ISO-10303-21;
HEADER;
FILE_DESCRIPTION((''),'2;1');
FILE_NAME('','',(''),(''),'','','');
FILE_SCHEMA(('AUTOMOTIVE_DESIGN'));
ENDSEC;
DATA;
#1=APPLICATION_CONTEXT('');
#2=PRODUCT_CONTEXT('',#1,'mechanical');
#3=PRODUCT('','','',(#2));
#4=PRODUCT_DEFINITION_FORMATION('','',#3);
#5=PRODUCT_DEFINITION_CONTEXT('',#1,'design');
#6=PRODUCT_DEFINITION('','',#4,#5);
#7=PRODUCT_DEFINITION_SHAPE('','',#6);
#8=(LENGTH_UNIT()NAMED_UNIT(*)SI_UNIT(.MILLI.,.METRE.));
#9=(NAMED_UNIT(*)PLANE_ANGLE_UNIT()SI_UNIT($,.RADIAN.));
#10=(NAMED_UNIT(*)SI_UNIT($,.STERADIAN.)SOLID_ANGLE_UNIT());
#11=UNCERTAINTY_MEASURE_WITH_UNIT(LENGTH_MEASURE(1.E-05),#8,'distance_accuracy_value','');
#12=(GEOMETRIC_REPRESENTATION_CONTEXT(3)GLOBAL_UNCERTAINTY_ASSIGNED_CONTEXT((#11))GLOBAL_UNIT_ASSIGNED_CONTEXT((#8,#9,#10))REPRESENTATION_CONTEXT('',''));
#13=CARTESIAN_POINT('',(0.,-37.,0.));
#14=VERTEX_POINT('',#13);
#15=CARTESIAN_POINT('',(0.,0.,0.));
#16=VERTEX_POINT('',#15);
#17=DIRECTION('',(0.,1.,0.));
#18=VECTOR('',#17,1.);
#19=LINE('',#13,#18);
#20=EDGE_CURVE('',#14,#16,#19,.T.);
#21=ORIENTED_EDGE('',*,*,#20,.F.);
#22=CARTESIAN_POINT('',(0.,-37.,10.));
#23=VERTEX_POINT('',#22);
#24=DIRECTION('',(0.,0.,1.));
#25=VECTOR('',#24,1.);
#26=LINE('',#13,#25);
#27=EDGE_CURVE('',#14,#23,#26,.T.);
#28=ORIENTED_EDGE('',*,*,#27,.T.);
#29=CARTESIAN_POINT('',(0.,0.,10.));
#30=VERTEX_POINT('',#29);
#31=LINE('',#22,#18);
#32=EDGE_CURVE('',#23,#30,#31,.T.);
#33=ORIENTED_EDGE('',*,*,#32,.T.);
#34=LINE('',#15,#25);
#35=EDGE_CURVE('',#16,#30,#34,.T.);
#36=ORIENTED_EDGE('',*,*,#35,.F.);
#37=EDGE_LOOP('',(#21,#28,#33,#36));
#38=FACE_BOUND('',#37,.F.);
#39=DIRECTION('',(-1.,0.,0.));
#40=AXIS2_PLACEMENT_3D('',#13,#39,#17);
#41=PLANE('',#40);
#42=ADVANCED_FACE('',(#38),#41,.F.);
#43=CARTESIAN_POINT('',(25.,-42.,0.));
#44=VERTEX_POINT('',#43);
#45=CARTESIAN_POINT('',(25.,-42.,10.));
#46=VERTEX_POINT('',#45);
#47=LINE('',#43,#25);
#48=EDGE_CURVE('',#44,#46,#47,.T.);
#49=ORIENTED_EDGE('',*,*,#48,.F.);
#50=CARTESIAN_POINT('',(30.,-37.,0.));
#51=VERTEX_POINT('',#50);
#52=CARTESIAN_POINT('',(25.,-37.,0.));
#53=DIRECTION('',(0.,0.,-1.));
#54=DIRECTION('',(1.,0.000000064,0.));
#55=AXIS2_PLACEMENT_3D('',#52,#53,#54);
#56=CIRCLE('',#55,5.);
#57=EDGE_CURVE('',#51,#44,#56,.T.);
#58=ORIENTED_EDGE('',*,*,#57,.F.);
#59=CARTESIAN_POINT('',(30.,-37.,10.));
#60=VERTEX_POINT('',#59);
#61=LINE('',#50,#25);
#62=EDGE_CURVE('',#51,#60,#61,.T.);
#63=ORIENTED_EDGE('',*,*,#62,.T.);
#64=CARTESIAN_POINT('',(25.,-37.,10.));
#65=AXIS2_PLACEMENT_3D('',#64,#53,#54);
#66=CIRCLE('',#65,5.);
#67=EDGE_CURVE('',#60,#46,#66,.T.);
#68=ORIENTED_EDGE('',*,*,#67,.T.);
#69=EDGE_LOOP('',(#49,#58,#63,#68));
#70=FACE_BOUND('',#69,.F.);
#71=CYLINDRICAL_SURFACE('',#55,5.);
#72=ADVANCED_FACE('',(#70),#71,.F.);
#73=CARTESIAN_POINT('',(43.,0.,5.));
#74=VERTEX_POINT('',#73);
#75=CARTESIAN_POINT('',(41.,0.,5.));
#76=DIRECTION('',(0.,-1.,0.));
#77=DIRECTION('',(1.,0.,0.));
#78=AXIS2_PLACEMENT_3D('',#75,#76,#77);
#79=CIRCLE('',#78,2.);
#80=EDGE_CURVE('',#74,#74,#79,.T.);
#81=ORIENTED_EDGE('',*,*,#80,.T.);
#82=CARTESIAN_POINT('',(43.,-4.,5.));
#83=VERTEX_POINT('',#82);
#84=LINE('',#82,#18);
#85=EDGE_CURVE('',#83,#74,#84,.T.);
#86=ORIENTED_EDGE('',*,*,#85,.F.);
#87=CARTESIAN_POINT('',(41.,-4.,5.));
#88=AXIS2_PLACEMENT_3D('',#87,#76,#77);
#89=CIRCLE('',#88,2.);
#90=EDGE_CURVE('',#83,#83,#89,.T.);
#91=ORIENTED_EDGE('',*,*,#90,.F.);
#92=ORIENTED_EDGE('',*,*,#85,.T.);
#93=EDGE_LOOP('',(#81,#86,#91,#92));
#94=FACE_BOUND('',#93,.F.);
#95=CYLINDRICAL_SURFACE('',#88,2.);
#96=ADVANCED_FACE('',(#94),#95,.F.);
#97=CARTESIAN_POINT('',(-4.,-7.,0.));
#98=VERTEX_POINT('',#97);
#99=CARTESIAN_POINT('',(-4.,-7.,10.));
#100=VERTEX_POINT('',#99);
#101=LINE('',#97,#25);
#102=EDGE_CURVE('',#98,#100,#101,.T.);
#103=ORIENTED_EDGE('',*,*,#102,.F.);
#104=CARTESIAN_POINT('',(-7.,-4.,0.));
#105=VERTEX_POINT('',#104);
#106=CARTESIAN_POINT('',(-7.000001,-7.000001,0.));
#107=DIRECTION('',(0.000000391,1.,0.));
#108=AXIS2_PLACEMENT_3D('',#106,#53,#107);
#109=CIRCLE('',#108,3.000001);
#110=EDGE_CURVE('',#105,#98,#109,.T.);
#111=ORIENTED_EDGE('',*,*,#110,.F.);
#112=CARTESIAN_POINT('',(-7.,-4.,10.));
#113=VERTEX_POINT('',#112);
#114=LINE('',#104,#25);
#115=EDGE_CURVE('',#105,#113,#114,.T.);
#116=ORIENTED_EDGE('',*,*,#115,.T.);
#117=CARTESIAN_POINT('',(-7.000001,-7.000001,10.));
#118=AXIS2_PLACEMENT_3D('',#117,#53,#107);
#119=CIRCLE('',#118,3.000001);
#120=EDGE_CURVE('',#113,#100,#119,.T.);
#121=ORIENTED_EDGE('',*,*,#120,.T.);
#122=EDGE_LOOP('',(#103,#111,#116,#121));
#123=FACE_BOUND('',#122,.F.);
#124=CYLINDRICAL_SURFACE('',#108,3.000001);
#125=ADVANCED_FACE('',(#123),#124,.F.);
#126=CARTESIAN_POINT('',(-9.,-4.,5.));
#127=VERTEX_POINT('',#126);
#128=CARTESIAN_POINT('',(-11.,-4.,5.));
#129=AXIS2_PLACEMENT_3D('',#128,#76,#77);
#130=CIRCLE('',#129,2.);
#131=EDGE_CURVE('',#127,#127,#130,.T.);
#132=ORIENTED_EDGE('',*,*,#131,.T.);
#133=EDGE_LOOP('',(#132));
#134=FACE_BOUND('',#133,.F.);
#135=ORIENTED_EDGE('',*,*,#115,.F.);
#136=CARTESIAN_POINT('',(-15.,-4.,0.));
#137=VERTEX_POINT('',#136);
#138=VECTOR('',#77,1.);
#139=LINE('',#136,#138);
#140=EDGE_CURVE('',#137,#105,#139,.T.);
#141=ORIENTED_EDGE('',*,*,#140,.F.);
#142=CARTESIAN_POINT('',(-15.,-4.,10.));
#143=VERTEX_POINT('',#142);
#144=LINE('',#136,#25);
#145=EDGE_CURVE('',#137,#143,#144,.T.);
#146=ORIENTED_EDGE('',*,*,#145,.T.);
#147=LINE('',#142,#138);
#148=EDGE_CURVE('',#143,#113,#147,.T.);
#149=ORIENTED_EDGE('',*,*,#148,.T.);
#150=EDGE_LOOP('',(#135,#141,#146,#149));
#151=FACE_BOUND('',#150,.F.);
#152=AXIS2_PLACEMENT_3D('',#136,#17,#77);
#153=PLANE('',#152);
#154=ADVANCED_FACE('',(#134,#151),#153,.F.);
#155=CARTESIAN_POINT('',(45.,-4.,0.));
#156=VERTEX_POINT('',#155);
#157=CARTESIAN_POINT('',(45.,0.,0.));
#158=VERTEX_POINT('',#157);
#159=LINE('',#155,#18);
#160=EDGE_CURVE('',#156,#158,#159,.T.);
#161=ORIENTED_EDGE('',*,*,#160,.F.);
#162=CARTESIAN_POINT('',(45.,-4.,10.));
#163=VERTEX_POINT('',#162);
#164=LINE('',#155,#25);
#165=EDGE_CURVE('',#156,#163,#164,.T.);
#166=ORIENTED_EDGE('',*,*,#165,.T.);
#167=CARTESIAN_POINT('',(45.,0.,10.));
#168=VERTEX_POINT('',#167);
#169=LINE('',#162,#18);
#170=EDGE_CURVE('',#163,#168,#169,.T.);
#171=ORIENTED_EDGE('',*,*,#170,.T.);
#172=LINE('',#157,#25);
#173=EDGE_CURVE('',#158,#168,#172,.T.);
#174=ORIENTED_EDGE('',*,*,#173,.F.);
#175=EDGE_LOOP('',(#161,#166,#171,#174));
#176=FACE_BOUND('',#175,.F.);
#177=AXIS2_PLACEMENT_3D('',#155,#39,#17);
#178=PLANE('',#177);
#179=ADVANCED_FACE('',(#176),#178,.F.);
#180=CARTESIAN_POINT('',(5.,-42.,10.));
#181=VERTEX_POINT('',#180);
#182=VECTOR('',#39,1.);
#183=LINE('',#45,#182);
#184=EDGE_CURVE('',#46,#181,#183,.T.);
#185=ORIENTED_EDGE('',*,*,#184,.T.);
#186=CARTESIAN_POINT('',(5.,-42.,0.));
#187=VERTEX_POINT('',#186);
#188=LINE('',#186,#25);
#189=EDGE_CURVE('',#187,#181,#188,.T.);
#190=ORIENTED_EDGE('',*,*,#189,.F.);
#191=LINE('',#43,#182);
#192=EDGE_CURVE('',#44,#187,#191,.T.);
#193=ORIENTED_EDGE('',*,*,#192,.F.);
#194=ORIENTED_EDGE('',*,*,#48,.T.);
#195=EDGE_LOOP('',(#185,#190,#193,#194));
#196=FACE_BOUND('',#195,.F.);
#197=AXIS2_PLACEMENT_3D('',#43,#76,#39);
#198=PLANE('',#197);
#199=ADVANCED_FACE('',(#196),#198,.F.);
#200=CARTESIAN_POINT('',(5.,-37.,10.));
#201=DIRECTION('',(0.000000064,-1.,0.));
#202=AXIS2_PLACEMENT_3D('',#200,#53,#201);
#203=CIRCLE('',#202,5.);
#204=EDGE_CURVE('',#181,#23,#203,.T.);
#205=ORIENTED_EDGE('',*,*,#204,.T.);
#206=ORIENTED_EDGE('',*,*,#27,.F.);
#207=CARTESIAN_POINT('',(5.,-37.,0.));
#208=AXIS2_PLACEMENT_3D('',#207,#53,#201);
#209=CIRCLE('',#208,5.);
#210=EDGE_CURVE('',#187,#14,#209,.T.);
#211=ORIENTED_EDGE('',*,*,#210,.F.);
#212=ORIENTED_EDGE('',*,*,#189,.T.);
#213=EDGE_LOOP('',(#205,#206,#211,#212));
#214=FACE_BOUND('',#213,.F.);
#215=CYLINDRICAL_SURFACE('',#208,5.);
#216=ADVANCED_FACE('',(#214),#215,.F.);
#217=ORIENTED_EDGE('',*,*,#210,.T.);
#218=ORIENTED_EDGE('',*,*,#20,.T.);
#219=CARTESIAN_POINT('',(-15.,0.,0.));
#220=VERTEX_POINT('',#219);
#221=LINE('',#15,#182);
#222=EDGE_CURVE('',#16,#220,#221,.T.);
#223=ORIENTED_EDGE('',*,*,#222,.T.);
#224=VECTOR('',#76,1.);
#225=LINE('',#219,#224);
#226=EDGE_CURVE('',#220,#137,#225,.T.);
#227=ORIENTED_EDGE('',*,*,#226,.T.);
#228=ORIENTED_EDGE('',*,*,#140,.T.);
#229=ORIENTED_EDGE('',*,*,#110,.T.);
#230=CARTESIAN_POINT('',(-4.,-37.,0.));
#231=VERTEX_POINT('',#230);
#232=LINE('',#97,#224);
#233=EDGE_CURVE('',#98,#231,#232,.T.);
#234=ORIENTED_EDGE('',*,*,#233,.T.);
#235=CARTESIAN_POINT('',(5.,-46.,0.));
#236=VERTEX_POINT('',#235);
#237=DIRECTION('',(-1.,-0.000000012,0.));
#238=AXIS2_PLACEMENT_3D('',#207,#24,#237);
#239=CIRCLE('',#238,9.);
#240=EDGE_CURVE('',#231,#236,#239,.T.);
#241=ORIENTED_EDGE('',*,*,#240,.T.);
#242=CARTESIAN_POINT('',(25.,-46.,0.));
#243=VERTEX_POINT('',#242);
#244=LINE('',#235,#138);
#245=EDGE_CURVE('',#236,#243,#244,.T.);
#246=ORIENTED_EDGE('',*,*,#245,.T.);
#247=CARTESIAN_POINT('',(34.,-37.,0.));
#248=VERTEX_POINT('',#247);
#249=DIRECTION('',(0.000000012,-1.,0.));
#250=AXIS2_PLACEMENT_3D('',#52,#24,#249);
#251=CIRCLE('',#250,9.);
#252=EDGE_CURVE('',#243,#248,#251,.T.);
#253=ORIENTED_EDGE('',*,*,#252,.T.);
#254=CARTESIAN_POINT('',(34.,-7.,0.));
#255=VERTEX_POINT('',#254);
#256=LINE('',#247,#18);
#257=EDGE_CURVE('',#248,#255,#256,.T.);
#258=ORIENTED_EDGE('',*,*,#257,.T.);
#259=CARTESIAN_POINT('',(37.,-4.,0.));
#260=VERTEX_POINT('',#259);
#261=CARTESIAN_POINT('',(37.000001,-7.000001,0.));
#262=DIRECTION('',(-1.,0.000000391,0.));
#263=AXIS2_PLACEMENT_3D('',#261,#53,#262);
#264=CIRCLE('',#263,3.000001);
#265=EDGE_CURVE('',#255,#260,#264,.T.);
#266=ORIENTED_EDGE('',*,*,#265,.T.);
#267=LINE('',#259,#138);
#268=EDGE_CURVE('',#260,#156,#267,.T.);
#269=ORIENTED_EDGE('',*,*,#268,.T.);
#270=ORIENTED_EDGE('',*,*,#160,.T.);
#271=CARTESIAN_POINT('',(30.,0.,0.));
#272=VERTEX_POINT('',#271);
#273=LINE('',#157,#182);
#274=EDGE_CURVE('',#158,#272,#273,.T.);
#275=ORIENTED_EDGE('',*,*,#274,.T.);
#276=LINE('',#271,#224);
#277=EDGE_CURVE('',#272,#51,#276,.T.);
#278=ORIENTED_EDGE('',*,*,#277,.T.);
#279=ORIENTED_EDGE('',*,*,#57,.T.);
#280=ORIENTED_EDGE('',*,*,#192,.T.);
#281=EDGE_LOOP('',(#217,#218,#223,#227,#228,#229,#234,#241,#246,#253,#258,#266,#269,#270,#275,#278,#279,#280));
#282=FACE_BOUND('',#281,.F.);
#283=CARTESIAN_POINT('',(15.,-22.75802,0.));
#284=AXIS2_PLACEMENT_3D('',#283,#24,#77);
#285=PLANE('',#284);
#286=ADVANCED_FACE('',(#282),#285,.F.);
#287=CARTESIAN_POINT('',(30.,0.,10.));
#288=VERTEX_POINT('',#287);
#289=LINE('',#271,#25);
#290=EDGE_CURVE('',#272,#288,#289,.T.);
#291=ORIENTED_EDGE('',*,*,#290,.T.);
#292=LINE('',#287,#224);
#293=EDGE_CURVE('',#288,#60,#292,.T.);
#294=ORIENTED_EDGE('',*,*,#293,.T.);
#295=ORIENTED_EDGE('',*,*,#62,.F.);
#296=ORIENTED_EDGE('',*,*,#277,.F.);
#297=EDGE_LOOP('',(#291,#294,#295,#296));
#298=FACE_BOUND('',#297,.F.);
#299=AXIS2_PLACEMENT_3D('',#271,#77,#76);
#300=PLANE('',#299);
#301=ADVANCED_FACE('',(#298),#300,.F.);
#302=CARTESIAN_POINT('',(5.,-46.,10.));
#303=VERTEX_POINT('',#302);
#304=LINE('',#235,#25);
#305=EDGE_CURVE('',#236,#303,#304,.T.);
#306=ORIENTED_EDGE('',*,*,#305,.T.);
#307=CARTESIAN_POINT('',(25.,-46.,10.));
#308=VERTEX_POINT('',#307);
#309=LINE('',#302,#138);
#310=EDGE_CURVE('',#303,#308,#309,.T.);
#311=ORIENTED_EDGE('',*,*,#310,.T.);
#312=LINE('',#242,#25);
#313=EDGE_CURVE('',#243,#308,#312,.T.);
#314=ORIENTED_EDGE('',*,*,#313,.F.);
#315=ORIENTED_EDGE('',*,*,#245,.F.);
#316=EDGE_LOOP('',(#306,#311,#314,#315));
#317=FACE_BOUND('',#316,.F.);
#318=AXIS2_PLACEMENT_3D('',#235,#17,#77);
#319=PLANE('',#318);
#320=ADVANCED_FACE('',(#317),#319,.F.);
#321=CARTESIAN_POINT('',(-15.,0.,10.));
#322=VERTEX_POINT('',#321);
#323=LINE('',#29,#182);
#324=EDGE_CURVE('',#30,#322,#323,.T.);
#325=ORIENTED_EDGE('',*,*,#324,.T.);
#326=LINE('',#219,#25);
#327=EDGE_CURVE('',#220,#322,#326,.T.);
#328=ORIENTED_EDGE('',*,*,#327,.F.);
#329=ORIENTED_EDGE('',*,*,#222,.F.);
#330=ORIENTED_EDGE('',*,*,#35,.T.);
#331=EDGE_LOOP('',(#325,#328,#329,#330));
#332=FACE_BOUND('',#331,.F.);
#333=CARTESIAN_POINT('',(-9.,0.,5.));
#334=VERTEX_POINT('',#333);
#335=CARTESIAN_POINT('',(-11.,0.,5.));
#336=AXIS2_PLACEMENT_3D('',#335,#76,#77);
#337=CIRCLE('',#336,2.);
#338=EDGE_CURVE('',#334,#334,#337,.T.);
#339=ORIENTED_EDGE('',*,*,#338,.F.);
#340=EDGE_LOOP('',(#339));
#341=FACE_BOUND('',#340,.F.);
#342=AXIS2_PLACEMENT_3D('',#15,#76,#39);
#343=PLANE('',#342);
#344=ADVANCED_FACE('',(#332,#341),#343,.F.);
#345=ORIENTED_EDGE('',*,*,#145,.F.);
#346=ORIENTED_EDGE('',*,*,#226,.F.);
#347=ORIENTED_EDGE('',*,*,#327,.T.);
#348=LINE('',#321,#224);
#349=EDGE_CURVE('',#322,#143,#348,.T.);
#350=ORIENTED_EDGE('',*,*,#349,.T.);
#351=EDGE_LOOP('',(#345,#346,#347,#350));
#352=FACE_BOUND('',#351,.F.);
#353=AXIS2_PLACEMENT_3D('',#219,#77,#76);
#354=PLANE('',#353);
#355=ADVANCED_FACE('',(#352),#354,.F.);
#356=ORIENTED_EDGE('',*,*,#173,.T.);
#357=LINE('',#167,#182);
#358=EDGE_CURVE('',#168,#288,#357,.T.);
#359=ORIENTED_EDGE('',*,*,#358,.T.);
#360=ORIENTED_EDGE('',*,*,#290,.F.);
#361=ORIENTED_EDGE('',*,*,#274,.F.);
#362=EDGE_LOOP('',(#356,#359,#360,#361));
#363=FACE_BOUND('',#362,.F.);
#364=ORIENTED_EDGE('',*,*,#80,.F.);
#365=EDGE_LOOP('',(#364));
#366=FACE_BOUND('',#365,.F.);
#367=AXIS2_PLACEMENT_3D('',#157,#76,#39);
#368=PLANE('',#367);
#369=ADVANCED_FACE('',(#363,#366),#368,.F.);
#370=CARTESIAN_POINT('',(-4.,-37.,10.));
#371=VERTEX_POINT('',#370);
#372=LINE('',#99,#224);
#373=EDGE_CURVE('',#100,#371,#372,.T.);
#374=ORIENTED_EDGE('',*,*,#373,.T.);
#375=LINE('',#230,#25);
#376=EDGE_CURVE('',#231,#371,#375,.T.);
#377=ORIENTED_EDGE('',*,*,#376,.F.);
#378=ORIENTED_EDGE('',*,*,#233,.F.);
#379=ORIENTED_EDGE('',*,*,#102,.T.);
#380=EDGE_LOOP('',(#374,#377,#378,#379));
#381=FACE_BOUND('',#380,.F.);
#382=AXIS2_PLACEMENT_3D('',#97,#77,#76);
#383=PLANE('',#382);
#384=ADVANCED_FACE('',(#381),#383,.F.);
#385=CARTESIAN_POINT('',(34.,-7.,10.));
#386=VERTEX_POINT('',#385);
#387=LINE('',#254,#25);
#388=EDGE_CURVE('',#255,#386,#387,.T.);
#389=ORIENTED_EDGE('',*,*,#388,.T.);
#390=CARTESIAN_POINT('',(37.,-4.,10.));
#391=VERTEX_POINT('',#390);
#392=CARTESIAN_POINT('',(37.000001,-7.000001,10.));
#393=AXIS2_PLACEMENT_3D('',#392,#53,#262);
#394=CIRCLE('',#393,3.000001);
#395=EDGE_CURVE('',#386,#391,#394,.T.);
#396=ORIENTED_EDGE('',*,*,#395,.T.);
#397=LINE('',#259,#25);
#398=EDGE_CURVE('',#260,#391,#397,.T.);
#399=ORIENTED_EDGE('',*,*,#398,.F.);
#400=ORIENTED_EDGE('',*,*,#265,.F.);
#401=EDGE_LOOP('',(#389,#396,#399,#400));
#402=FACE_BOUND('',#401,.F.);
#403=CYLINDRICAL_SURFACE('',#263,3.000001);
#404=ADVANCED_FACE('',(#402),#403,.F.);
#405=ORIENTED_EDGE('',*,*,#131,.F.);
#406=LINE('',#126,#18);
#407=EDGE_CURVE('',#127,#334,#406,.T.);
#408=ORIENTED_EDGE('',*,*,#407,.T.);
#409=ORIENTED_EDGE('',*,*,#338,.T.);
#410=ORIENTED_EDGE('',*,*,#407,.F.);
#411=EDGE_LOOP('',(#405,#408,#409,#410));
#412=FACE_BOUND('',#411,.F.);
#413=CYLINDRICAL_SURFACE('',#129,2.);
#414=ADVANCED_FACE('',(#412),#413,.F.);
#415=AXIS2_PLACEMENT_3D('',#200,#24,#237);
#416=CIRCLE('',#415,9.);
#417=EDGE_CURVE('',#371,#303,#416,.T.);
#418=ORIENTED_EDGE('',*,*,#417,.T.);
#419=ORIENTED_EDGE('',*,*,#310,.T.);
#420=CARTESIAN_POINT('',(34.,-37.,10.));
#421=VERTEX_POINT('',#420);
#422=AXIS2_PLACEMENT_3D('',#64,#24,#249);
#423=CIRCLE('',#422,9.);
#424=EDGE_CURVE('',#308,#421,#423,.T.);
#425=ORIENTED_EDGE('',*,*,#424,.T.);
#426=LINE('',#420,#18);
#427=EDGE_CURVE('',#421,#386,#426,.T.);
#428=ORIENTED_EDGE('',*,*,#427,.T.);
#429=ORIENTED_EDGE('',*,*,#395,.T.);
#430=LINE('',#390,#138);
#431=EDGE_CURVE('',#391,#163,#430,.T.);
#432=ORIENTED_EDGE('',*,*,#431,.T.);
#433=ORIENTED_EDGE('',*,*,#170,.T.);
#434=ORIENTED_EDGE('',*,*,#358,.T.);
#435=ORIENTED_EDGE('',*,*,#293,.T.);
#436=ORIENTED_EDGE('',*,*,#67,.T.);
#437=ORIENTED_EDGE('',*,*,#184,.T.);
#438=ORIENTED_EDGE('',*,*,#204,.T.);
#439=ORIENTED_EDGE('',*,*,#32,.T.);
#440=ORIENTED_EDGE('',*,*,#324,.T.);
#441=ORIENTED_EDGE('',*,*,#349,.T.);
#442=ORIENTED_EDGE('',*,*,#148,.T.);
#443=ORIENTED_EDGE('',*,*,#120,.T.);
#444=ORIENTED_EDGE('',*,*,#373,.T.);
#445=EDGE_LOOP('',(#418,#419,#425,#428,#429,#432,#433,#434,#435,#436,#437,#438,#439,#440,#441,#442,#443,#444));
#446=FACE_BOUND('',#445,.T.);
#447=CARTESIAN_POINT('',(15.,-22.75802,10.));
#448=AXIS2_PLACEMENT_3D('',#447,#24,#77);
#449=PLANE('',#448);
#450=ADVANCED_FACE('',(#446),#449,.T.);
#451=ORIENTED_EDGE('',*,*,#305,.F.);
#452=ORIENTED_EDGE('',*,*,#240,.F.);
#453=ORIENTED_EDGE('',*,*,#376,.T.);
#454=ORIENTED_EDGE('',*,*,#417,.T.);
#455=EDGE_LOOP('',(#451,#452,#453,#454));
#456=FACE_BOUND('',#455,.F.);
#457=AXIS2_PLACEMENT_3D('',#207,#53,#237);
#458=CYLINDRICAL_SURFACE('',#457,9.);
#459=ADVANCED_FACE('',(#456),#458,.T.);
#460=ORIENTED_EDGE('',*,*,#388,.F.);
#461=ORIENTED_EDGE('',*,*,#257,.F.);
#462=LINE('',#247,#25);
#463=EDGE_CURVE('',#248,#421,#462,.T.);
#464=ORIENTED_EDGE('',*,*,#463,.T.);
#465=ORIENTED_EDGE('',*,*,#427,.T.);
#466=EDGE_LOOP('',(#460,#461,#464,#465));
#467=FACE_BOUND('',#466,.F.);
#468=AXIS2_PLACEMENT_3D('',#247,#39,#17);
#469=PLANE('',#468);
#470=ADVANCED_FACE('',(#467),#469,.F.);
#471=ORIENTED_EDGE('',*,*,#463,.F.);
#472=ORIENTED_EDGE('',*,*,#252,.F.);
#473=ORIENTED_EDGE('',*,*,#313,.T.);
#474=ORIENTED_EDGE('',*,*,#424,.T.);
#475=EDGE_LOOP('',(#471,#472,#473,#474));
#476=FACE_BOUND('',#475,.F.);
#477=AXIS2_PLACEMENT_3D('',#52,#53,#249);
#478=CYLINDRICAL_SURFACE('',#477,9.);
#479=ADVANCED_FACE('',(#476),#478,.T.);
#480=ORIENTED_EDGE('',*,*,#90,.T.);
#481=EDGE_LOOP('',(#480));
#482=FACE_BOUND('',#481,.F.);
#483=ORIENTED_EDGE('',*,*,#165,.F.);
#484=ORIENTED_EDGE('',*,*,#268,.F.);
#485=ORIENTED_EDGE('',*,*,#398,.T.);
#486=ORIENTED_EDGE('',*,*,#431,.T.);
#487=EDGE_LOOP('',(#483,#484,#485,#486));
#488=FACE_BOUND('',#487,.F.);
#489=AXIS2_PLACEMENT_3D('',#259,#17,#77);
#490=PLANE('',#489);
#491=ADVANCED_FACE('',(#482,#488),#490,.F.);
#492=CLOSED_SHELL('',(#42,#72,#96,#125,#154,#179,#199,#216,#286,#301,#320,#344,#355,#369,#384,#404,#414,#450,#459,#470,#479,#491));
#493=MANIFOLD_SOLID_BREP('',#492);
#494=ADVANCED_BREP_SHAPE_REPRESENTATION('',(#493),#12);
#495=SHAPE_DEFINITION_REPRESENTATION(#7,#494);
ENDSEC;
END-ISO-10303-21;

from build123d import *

# Parameters (mm, degrees)
F1_DEPTH = 10
F2_R     = 2
F3_DEPTH = 4


with BuildPart() as f1:
    # F0 (on Top) → F1 (new body)
    with BuildSketch(Plane.XY):
        with BuildLine():
            Line((0, -37), (0, 0))
            Line((0, 0), (-15, 0))
            Line((-15, 0), (-15, -4))
            Line((-15, -4), (-7, -4))
            ThreePointArc((-7, -4), (-4.87868, -4.87868), (-4, -7))
            Line((-4, -7), (-4, -37))
            ThreePointArc((-4, -37), (-1.363961, -43.363961), (5, -46))
            Line((5, -46), (25, -46))
            ThreePointArc((25, -46), (31.363961, -43.363961), (34, -37))
            Line((34, -37), (34, -7))
            ThreePointArc((34, -7), (34.87868, -4.87868), (37, -4))
            Line((37, -4), (45, -4))
            Line((45, -4), (45, 0))
            Line((45, 0), (30, 0))
            Line((30, 0), (30, -37))
            ThreePointArc((30, -37), (28.535534, -40.535534), (25, -42))
            Line((25, -42), (5, -42))
            ThreePointArc((5, -42), (1.464466, -40.535534), (0, -37))
        make_face()
    extrude(amount=F1_DEPTH)

    # F2 (on face) → F3 (cut)
    with BuildSketch(Plane.XZ.offset(4)):
        with Locations((-11, 5)):
            Circle(F2_R)
        with Locations((41, 5)):
            Circle(F2_R)
    extrude(amount=-F3_DEPTH, mode=Mode.SUBTRACT)


solid = f1.part
